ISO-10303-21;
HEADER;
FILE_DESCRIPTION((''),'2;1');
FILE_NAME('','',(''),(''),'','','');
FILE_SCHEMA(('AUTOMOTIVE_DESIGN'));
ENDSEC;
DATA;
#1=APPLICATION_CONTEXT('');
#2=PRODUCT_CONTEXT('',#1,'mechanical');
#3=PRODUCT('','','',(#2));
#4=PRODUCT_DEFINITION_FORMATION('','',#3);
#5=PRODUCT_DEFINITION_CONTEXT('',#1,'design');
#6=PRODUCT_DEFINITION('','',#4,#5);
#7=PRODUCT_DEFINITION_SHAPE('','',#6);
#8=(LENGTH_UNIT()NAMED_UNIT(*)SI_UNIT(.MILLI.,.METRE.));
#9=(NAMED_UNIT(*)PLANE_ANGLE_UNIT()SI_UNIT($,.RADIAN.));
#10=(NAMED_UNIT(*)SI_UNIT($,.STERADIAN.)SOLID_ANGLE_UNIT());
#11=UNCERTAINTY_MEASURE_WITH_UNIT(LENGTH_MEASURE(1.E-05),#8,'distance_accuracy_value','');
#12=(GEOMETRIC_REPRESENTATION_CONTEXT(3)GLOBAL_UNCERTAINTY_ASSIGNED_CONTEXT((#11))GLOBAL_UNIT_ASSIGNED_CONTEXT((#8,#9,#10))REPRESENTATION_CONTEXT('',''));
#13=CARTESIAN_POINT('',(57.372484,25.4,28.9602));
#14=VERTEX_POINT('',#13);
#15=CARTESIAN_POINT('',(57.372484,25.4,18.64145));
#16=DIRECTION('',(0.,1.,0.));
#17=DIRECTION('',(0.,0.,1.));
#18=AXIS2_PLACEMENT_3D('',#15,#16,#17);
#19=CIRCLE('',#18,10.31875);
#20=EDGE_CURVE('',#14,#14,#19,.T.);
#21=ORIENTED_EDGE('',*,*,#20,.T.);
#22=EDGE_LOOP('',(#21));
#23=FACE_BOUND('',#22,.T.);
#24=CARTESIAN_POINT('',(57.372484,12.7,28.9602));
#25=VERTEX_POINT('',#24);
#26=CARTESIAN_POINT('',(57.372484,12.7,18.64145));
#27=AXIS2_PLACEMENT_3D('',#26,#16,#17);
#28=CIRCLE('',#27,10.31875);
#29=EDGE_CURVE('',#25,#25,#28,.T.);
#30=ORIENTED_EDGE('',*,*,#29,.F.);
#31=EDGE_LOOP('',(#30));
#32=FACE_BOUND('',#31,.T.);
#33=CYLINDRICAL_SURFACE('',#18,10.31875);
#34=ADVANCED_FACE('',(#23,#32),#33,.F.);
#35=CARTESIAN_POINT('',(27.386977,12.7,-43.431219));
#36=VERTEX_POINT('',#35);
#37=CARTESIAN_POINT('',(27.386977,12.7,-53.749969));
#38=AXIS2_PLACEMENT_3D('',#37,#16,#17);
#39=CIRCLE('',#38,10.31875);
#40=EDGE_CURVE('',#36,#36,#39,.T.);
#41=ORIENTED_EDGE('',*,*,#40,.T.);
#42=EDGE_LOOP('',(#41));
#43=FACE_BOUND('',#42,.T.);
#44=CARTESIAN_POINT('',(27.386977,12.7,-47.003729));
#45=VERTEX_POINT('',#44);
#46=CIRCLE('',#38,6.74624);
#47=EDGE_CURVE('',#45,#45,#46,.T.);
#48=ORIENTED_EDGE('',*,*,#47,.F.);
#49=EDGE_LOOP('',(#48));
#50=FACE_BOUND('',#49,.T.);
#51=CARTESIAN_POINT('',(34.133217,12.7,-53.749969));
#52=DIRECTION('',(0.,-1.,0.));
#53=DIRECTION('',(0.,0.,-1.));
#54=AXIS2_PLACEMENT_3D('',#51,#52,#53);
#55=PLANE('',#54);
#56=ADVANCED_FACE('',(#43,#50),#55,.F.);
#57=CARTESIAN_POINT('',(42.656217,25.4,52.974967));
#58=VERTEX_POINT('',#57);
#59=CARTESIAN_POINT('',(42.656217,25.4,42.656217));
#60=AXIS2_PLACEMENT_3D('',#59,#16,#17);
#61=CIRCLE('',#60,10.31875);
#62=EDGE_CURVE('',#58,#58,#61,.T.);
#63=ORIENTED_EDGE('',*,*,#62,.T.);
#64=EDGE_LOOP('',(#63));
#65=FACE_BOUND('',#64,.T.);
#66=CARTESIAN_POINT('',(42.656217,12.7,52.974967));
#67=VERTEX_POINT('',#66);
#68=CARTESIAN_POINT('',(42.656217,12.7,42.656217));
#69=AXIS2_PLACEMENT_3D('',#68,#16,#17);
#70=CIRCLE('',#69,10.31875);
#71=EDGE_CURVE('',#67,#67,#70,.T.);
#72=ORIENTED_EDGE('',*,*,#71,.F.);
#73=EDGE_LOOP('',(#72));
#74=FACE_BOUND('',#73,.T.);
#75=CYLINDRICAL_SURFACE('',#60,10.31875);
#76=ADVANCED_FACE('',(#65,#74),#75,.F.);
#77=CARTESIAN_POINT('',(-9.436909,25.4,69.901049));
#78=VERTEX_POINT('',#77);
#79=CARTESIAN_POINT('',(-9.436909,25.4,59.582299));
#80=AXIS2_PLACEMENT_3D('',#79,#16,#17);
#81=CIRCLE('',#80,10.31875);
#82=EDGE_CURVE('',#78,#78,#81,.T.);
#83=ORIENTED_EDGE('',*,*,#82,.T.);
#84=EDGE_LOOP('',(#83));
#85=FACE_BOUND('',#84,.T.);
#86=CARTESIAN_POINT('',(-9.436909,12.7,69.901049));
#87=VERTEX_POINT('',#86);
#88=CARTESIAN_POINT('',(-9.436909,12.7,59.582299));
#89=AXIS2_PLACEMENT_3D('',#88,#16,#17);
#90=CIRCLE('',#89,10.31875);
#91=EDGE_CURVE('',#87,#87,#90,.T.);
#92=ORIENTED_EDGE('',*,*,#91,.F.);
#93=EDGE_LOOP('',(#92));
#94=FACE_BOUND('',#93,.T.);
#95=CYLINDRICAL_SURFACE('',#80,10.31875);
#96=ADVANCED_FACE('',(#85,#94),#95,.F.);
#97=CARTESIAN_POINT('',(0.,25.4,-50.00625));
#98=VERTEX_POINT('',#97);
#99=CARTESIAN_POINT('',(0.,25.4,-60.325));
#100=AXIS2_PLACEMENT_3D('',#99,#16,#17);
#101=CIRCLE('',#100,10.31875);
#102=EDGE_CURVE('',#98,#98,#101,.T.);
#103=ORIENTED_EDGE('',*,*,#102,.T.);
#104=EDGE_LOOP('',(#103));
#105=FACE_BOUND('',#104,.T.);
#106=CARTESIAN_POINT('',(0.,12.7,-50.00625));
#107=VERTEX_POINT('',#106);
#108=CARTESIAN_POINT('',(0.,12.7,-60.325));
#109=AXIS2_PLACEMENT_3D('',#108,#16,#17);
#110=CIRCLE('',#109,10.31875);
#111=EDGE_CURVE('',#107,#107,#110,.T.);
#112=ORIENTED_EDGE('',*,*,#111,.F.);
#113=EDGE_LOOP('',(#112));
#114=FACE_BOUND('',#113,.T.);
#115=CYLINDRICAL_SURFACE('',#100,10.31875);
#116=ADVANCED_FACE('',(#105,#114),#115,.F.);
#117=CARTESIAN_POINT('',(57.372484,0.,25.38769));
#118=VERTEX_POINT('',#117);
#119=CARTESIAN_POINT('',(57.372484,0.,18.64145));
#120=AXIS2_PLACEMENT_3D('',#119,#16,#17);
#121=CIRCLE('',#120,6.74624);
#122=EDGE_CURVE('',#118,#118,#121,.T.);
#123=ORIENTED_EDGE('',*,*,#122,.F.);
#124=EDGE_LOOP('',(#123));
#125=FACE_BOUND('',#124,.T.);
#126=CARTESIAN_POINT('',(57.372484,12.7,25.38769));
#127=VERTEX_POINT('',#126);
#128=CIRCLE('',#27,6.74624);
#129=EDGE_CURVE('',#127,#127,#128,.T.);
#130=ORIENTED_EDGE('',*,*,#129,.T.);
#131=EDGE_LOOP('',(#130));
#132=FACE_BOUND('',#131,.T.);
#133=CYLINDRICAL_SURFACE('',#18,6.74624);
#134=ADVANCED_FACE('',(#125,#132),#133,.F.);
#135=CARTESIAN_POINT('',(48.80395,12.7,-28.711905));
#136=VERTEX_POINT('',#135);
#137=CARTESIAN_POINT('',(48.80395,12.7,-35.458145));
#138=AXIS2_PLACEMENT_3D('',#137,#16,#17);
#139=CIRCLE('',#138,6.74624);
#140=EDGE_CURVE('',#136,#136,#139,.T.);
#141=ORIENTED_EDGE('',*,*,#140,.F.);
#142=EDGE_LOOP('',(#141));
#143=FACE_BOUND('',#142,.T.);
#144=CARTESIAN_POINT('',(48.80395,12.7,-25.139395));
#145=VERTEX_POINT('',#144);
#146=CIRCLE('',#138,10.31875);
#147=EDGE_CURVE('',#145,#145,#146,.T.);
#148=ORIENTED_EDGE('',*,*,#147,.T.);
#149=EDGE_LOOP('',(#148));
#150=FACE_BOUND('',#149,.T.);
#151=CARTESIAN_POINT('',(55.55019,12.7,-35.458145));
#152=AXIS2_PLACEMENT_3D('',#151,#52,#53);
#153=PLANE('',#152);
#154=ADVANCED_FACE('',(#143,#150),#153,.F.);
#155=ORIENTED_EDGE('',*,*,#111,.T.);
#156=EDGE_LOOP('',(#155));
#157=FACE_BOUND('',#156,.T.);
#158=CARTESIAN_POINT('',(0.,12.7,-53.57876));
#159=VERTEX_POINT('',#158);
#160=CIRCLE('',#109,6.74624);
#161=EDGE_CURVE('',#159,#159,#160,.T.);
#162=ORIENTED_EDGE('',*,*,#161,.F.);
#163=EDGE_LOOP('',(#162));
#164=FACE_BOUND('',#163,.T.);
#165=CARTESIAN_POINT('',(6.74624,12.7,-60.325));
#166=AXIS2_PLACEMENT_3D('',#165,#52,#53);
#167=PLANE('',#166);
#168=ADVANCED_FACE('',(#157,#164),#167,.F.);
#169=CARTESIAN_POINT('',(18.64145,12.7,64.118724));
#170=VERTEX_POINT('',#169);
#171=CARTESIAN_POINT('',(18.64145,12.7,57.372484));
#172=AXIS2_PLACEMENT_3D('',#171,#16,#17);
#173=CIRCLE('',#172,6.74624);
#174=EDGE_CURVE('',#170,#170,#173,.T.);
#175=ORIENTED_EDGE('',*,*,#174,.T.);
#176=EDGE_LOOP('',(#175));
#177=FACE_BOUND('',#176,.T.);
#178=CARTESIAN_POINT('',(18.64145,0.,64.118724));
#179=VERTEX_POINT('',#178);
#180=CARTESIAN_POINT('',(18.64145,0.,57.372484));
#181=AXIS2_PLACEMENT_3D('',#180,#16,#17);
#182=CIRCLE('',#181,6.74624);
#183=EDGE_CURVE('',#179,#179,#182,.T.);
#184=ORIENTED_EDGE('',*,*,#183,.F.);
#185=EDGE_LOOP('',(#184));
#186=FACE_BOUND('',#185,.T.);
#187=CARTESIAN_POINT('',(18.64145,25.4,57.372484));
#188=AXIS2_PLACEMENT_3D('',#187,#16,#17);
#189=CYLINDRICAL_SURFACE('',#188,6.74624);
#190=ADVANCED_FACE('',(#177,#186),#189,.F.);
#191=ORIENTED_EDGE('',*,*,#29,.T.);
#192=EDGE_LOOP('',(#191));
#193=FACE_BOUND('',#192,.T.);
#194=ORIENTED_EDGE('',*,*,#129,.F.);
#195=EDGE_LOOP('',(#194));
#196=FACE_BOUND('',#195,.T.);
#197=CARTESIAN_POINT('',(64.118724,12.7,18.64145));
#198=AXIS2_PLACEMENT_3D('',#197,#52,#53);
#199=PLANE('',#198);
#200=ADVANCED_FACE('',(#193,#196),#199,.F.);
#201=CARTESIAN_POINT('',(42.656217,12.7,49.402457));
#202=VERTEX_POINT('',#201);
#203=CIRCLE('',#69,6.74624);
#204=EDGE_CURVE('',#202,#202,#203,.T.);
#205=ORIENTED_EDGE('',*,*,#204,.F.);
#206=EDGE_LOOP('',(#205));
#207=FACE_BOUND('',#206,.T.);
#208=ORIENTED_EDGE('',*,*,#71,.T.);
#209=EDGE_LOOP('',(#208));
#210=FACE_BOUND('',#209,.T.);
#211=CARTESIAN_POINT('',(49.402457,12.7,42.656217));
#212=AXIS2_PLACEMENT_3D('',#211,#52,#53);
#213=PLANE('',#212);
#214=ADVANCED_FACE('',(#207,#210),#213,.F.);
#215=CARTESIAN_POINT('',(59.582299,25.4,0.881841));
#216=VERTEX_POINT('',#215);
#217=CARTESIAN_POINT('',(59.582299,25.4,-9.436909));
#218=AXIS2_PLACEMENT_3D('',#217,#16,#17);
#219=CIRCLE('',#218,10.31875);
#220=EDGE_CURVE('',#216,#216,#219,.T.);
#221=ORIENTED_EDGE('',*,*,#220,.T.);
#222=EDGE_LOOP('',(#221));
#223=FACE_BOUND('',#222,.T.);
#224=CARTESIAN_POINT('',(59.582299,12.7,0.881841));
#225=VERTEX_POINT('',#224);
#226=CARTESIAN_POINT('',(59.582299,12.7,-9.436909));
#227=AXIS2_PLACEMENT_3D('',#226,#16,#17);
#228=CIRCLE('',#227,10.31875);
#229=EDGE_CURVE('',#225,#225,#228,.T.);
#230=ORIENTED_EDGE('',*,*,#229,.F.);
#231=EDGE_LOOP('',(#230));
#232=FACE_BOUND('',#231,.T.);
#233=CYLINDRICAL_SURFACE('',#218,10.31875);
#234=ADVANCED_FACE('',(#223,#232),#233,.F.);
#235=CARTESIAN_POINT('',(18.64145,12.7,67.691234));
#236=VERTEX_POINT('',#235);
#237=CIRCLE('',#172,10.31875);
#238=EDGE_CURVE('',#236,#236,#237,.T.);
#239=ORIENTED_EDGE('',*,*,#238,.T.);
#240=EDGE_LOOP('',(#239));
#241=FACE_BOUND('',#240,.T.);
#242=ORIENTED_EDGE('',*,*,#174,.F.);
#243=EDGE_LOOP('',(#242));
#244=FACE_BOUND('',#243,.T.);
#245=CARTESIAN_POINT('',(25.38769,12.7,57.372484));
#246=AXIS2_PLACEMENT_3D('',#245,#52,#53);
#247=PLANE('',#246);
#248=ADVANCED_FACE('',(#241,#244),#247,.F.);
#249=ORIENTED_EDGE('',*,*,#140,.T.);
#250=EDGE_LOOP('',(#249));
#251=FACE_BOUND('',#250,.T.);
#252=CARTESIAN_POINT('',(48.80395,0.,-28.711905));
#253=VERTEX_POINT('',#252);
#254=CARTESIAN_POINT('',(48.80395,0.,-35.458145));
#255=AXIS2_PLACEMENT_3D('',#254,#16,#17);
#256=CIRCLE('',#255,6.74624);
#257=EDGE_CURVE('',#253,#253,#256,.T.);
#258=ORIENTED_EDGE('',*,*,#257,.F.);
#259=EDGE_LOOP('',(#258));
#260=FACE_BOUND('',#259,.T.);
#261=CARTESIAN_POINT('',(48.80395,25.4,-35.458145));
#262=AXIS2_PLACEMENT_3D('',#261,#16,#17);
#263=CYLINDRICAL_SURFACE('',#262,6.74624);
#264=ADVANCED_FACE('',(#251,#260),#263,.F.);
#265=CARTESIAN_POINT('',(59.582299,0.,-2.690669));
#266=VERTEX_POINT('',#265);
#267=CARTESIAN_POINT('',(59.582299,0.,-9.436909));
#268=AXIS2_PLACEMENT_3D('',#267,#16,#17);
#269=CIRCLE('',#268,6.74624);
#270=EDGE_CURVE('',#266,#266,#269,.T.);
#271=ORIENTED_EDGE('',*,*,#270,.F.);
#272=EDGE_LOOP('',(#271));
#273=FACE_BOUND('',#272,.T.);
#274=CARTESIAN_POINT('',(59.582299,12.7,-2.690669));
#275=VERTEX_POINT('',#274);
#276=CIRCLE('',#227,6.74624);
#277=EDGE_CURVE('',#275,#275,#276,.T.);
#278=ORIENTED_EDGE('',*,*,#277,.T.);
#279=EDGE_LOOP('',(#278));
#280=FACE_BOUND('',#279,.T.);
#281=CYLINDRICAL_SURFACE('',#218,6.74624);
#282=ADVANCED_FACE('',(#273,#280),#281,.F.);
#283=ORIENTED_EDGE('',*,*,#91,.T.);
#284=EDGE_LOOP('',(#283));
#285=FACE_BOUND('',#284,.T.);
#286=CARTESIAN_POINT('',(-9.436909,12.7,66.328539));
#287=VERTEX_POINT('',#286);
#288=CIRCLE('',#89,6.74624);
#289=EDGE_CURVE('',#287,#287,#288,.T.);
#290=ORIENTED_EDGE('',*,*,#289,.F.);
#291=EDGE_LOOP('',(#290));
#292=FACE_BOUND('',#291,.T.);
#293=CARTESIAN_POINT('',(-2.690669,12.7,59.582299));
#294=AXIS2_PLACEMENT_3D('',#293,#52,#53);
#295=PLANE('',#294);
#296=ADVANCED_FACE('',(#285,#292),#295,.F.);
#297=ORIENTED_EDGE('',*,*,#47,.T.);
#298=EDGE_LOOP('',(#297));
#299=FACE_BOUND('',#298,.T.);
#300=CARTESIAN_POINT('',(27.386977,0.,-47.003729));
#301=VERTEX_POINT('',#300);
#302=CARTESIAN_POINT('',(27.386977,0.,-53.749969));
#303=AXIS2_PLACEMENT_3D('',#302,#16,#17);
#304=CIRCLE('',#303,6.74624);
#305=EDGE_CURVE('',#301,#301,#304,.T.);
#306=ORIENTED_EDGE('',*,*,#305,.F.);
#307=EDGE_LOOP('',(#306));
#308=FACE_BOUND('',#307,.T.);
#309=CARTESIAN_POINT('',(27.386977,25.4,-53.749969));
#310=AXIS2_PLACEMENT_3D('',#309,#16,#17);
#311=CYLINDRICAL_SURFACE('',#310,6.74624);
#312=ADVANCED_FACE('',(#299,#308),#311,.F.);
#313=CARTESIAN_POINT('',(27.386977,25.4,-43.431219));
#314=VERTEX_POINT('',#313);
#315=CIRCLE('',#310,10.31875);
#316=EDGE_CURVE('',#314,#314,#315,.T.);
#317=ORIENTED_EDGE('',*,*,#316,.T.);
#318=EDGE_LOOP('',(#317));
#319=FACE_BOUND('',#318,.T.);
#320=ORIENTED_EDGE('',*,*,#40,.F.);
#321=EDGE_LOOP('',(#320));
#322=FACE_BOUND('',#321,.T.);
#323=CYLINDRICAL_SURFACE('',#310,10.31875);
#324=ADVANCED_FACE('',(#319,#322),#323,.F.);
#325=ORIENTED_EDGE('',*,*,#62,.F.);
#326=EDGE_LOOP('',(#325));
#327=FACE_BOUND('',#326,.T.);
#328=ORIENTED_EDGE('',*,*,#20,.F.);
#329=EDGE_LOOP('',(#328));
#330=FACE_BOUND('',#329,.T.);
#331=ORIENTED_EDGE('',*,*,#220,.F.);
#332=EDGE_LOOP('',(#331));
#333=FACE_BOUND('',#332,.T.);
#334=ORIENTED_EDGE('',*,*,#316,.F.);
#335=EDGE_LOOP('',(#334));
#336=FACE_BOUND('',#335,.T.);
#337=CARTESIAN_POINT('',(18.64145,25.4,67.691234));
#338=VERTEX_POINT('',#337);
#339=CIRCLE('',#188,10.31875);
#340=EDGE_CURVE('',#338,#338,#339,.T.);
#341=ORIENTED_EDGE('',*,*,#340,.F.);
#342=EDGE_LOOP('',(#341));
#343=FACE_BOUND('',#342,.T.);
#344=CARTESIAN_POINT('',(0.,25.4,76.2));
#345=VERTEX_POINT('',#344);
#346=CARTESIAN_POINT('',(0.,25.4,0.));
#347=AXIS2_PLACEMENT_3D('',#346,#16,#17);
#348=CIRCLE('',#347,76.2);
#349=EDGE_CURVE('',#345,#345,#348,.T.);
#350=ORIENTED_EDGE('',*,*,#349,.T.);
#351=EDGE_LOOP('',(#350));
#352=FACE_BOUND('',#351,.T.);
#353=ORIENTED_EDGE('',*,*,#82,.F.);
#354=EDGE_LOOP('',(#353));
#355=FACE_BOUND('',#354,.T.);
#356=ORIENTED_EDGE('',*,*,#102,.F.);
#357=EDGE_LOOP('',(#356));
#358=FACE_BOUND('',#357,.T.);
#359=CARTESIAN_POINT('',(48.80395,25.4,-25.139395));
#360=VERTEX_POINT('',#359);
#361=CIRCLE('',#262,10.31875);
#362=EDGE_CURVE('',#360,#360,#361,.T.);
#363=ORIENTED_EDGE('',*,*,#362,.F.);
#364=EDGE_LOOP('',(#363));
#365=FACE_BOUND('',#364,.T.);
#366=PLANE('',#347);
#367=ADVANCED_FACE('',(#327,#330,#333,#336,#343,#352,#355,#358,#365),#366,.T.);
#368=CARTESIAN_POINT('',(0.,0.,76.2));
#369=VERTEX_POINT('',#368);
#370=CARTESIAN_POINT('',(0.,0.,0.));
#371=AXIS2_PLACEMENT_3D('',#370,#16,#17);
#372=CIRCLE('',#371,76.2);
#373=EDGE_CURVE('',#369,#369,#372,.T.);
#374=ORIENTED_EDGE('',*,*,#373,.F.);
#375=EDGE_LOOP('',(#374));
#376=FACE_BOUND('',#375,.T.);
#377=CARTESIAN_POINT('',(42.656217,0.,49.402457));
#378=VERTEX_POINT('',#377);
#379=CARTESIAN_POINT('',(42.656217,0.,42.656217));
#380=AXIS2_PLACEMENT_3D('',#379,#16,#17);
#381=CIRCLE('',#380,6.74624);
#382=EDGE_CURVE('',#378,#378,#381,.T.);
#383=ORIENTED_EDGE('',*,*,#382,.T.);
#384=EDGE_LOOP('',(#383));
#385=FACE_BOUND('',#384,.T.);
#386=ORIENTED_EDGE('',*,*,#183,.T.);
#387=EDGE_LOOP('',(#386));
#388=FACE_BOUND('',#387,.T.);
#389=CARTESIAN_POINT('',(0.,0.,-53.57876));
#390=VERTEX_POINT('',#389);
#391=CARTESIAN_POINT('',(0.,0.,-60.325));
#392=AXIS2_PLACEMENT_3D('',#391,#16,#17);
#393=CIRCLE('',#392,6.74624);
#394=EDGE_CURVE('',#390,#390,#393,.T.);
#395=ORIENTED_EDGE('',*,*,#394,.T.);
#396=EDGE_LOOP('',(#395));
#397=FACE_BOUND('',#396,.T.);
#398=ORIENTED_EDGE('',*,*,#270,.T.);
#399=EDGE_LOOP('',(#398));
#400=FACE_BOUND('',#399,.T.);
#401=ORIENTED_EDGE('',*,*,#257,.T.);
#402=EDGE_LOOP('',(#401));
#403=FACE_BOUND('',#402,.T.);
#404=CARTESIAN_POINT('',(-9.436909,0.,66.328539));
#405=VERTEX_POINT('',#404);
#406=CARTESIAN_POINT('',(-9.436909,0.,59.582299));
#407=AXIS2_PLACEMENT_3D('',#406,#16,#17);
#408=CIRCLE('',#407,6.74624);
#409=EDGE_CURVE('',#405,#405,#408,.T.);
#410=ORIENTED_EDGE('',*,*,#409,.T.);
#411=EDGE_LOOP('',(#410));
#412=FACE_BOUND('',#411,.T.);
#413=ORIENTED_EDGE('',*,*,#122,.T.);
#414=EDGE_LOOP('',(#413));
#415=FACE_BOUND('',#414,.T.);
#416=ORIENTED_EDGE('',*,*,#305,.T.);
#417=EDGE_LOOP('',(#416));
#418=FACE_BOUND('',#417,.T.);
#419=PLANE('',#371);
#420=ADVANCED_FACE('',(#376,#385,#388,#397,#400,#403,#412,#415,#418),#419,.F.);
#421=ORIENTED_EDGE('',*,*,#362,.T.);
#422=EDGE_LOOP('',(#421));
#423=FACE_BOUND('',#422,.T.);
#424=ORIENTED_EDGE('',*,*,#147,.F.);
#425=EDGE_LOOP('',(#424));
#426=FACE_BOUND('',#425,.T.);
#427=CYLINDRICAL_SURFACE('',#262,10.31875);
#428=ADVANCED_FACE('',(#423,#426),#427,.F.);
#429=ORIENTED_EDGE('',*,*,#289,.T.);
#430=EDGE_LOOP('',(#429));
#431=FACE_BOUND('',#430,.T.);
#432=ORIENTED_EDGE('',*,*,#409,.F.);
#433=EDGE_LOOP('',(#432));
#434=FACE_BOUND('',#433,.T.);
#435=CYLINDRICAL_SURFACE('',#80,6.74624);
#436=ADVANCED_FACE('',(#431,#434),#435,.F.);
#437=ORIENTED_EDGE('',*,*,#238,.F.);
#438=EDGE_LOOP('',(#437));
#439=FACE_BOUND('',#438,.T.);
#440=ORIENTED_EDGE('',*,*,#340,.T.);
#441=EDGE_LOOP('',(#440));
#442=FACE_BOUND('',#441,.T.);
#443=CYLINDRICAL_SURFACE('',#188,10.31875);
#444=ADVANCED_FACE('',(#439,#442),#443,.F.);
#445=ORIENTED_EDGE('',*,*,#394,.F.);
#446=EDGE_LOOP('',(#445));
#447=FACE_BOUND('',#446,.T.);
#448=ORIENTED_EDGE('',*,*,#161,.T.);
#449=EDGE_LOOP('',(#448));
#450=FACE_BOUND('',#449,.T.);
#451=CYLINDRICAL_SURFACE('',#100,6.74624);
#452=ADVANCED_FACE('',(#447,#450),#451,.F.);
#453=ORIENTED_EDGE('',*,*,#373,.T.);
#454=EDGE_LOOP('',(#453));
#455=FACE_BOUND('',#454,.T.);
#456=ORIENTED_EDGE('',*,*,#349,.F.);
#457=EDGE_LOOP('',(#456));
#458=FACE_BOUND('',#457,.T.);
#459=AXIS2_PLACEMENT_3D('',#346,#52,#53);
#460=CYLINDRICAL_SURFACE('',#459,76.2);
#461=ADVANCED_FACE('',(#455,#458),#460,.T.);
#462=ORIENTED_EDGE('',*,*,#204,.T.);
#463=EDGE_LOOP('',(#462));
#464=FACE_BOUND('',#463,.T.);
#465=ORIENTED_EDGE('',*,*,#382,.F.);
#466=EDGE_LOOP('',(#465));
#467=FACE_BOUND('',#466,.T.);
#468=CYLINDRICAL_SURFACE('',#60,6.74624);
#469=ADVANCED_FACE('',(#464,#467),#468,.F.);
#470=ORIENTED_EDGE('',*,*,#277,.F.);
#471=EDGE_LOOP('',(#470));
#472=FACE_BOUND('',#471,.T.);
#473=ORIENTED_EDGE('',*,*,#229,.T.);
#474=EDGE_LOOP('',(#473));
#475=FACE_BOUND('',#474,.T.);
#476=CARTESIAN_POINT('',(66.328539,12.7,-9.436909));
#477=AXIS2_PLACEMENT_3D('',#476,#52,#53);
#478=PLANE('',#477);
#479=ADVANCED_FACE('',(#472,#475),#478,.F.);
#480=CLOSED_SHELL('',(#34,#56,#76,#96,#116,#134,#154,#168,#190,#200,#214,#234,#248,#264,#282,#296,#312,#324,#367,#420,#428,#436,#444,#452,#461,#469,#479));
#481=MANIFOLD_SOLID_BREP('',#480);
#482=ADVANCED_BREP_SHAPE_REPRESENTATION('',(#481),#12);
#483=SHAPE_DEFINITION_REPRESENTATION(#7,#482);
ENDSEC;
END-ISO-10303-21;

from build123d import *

# Parameters (mm, degrees)
SKETCH1_R                                        = 76.2
BOSS_EXTRUDE1_DEPTH                              = 25.4
CBORE_FOR_1_2_SOCKET_HEAD_CAP_SCREW1_D           = 13.49248
CBORE_FOR_1_2_SOCKET_HEAD_CAP_SCREW1_CBORE_D     = 20.6375
CBORE_FOR_1_2_SOCKET_HEAD_CAP_SCREW1_CBORE_DEPTH = 12.7
CIRPATTERN1_COUNT                                = 8
CIRPATTERN1_ANGLE                                = 189


with BuildPart() as part:
    # Sketch1 → Boss-Extrude1 (new body)
    with BuildSketch(Plane(origin=(0, 0, 0), x_dir=(1, 0, 0), z_dir=(0, 1, 0))):
        with Locations(Location((0, 0, 0), (0, 0, 270))):
            Circle(SKETCH1_R)
    extrude(amount=BOSS_EXTRUDE1_DEPTH)

    # CBORE for 1/2 Socket Head Cap Screw1 (through all)
    with Locations(Plane(origin=(0, 25.4, 0), x_dir=(1, 0, 0), z_dir=(0, 1, 0))):
        with Locations((0, 60.325)):
            cbore_for_1_2_socket_head_cap_screw1 = CounterBoreHole(CBORE_FOR_1_2_SOCKET_HEAD_CAP_SCREW1_D / 2, CBORE_FOR_1_2_SOCKET_HEAD_CAP_SCREW1_CBORE_D / 2, CBORE_FOR_1_2_SOCKET_HEAD_CAP_SCREW1_CBORE_DEPTH)

    # CirPattern1: CBORE for 1/2 Socket Head Cap Screw1 ×8 about axis
    cirpattern1_axis = Axis((0, 0, 0), (0, -1, 0))
    for i in range(1, CIRPATTERN1_COUNT):
        add(cbore_for_1_2_socket_head_cap_screw1.rotate(cirpattern1_axis, i * CIRPATTERN1_ANGLE / (CIRPATTERN1_COUNT - 1)), mode=Mode.SUBTRACT)


solid = part.part
